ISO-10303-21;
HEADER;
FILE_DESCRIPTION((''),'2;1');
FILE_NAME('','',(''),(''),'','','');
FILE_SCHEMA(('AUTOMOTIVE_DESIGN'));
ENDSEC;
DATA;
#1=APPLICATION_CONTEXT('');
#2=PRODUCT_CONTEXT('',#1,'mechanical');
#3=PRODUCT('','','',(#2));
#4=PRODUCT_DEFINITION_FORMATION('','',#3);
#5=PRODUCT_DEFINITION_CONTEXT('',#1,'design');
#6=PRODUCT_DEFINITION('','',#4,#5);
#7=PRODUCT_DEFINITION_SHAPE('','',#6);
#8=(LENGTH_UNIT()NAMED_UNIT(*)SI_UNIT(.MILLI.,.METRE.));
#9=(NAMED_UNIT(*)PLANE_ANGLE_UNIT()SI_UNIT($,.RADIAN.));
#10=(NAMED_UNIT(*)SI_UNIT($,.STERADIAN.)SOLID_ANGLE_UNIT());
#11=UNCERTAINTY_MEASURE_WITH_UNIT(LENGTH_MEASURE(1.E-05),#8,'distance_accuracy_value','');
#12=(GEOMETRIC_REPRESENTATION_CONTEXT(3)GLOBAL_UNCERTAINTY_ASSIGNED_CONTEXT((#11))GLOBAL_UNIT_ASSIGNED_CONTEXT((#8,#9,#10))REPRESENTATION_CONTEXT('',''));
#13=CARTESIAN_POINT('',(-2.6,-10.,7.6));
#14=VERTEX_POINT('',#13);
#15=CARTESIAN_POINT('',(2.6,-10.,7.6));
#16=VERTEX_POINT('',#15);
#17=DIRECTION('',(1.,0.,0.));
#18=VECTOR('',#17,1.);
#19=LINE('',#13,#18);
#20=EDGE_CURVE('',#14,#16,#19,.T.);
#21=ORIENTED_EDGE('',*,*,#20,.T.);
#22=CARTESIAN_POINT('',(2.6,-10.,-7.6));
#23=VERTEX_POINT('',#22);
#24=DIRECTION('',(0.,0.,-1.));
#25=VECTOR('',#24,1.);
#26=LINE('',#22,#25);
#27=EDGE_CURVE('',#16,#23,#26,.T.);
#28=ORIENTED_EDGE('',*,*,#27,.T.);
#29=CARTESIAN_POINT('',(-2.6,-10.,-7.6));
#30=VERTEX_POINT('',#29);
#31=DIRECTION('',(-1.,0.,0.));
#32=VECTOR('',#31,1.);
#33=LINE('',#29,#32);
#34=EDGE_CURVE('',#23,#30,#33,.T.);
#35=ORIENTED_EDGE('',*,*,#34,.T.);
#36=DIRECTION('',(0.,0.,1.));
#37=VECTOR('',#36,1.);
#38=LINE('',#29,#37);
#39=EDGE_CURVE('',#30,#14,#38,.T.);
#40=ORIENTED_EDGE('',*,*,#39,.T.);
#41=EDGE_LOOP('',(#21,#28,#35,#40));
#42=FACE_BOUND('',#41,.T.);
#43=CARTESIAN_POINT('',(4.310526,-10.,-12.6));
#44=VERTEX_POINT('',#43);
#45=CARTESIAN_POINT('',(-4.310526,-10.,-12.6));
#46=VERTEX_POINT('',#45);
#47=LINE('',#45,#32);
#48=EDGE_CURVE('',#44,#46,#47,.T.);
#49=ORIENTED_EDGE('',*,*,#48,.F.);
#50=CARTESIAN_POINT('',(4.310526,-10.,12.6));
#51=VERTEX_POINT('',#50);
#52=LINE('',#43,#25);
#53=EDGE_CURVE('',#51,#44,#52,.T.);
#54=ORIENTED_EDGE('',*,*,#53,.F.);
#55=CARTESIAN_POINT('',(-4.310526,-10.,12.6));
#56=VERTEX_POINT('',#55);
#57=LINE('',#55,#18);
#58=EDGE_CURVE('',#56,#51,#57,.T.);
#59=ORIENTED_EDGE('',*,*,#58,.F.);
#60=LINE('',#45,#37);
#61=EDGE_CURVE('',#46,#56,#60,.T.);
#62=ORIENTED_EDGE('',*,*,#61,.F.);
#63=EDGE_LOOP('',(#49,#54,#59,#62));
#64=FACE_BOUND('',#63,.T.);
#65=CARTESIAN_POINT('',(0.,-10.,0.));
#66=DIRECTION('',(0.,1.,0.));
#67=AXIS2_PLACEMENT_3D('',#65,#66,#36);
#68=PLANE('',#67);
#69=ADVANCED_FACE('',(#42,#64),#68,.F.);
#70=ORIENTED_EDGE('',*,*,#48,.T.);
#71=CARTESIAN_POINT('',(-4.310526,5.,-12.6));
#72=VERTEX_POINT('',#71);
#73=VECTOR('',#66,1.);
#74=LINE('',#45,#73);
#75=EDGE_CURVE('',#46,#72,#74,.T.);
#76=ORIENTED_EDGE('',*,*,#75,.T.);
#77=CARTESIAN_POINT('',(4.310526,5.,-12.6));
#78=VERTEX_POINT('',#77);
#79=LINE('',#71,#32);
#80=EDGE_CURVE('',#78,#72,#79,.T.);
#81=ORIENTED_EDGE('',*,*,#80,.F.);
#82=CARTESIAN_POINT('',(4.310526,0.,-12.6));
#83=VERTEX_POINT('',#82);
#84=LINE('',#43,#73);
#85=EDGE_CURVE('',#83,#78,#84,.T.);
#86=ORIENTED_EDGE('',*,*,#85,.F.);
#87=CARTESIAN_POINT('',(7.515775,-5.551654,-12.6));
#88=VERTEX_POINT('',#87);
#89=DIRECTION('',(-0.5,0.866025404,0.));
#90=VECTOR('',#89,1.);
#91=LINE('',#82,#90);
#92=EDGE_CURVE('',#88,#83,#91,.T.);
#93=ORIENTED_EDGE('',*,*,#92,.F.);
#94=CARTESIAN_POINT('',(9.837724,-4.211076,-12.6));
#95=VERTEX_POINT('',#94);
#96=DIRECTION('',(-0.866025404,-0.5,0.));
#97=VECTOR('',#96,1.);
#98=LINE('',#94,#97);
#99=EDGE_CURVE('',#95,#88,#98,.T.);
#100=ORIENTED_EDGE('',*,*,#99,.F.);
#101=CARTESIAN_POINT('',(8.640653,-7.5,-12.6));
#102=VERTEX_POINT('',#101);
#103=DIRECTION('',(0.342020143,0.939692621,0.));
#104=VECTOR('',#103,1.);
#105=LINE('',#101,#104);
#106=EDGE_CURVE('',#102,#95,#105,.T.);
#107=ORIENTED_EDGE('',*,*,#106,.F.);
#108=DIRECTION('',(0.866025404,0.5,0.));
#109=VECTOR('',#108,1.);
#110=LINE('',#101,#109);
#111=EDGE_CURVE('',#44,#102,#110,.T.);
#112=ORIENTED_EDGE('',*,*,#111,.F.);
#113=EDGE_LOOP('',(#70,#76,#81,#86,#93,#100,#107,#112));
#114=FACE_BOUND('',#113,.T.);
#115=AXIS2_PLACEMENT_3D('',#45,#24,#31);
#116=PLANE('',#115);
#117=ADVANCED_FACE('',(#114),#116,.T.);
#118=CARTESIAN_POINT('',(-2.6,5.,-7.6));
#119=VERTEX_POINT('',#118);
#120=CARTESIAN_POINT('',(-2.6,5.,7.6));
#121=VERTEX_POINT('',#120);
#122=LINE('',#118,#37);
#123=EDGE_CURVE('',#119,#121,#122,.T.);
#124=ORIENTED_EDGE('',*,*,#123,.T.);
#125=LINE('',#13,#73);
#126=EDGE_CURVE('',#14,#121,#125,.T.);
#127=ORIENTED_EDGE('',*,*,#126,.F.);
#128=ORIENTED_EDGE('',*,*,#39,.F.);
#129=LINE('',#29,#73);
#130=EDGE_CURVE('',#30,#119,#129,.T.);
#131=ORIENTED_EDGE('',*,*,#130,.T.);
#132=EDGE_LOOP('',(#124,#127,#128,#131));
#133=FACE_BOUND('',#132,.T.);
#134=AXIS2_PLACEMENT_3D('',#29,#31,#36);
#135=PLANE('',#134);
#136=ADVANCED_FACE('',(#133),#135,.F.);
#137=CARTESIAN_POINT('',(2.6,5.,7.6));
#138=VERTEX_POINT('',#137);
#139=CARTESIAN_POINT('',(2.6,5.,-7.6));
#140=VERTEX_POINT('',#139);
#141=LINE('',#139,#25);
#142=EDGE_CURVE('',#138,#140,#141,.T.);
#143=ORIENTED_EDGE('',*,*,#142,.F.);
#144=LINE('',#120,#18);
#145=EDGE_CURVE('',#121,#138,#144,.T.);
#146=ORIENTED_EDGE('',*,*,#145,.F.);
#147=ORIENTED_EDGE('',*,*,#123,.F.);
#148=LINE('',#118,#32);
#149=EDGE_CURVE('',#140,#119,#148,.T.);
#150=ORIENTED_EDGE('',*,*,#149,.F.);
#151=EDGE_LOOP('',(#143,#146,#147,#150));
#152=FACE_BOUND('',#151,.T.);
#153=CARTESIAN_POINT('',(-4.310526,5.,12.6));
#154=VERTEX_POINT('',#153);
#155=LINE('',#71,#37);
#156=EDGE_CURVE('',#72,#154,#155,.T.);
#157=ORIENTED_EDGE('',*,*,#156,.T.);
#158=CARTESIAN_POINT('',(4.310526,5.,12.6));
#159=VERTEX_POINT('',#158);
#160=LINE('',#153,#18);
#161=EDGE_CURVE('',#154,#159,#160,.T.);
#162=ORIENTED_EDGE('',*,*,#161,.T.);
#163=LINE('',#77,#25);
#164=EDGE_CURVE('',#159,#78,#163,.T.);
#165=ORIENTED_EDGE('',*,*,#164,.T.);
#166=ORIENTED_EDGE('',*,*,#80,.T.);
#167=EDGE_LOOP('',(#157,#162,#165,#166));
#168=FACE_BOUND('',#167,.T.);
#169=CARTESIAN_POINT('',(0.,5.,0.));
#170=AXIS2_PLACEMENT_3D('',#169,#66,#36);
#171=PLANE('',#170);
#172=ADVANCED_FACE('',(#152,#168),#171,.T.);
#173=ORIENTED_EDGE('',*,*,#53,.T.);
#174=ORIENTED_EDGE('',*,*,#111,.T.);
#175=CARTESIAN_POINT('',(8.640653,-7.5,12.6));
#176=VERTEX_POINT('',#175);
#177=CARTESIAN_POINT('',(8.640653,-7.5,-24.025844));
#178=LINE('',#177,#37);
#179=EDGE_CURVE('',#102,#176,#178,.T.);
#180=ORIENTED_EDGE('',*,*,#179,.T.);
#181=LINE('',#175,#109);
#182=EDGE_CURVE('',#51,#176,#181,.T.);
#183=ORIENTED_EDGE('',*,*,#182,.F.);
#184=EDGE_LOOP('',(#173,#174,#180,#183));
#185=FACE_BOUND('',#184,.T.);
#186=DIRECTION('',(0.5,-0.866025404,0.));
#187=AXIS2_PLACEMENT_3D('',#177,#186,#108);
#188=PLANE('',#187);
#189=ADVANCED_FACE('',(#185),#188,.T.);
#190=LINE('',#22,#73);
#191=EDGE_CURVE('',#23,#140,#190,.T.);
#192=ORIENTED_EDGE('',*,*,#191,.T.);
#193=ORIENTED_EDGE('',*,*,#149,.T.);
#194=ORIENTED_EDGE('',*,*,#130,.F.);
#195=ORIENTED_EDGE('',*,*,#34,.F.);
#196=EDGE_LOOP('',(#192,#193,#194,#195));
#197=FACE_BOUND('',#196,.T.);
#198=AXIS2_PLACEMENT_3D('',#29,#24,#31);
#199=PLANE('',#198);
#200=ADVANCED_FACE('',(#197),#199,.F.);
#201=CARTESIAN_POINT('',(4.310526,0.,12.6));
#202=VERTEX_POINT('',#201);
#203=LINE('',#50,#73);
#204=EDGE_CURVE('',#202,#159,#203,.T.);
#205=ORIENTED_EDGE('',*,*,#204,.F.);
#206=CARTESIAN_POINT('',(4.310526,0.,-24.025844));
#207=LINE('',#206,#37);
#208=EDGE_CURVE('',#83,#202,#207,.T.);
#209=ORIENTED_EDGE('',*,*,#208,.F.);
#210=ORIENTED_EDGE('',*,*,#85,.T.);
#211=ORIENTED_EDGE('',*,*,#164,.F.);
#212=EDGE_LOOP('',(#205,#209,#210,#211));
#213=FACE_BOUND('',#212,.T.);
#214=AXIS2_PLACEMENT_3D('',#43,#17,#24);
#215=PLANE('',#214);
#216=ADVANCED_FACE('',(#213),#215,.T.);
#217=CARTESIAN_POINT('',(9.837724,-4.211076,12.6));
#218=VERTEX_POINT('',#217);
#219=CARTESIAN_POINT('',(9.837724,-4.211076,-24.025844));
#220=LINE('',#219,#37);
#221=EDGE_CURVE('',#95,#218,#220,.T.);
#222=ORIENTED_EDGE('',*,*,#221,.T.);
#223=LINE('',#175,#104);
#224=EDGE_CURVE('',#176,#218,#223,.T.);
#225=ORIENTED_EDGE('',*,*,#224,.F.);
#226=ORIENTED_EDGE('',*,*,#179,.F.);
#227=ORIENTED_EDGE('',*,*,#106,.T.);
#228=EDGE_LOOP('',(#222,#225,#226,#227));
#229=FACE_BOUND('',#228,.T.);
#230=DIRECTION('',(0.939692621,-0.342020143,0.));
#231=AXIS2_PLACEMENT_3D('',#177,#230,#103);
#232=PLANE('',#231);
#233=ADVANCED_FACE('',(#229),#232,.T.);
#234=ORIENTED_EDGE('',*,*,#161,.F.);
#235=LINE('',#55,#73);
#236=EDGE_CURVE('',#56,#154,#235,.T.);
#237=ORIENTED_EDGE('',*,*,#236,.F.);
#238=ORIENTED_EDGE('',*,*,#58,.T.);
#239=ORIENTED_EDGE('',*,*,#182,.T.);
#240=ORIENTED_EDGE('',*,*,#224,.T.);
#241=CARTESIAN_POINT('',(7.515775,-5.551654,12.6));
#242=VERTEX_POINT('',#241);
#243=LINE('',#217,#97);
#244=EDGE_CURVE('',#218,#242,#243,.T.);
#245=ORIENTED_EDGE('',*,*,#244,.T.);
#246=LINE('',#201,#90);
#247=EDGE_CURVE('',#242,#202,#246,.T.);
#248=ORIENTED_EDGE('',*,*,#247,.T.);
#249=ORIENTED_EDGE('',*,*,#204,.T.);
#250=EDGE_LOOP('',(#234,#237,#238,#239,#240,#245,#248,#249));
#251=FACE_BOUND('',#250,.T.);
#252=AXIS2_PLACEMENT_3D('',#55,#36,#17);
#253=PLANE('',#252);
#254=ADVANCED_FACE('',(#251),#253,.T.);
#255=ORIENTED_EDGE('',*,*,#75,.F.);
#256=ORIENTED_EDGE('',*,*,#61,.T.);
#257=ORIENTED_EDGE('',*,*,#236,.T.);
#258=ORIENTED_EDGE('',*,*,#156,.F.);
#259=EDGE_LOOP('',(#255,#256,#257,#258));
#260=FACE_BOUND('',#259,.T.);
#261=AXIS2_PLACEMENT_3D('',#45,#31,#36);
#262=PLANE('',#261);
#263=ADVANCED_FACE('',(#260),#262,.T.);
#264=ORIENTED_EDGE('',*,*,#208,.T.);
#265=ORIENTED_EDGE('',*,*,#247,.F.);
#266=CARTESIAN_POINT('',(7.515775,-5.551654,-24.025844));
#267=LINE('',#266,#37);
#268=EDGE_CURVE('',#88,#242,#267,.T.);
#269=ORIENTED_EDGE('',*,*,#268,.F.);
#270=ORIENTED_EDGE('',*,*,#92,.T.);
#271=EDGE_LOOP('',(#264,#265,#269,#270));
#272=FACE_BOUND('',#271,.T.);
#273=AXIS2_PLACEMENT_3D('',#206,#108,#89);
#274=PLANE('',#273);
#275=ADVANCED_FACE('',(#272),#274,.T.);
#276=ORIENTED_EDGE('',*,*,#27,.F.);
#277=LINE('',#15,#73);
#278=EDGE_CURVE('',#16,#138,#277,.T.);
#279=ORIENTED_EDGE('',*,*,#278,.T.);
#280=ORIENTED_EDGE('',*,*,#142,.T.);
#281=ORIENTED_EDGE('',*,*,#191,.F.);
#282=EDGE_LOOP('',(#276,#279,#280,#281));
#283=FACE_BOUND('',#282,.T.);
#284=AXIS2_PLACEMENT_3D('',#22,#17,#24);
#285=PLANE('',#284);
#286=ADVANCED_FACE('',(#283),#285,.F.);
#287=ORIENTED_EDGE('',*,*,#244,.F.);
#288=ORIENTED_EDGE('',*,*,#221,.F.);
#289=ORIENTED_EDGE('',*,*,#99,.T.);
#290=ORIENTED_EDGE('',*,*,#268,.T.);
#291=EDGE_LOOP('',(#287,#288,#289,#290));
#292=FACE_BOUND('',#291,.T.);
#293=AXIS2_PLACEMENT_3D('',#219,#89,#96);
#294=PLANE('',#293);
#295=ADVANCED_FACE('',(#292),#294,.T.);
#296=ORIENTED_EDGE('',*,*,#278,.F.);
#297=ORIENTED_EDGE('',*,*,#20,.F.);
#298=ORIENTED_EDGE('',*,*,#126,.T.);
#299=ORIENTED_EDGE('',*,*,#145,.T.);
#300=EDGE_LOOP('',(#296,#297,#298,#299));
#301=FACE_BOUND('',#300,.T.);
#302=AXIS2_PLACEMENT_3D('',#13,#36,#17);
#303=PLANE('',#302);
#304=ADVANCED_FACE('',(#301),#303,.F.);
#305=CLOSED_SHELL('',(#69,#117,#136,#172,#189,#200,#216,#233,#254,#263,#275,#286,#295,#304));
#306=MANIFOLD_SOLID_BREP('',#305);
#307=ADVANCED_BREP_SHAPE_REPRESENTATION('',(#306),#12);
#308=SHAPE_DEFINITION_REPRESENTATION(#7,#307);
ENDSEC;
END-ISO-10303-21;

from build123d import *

# Parameters (mm, degrees)
EXTRUDE_1_DEPTH      = 5
EXTRUDE_1_DEPTH_BACK = 10
SKETCH_1_W           = 8.621052632
SKETCH_1_H           = 25.2
SKETCH_1_W_2         = 5.2
SKETCH_1_H_2         = 15.2
EXTRUDE_2_DEPTH      = 25.2


with BuildPart() as part:
    # 草图1 → 凸台-拉伸1 (new, two sides: drawn at the far end of the back side and taken through both)
    with BuildSketch(Plane(origin=(0, 0, 0), x_dir=(1, 0, 0), z_dir=(0, 1, 0)).offset(-EXTRUDE_1_DEPTH_BACK)):
        Rectangle(SKETCH_1_W, SKETCH_1_H)
        Rectangle(SKETCH_1_W_2, SKETCH_1_H_2, mode=Mode.SUBTRACT)
    extrude(amount=EXTRUDE_1_DEPTH + EXTRUDE_1_DEPTH_BACK)

    # 草图2 → 凸台-拉伸2 (add)
    with BuildSketch(Plane.XY.offset(12.6)):
        Polygon((8.640653335, -7.5), (9.837723836, -4.211075827), (7.515775018, -5.551653603), (4.310526316, 0), (4.310526316, -10), align=None)
    extrude(amount=-EXTRUDE_2_DEPTH)


solid = part.part
